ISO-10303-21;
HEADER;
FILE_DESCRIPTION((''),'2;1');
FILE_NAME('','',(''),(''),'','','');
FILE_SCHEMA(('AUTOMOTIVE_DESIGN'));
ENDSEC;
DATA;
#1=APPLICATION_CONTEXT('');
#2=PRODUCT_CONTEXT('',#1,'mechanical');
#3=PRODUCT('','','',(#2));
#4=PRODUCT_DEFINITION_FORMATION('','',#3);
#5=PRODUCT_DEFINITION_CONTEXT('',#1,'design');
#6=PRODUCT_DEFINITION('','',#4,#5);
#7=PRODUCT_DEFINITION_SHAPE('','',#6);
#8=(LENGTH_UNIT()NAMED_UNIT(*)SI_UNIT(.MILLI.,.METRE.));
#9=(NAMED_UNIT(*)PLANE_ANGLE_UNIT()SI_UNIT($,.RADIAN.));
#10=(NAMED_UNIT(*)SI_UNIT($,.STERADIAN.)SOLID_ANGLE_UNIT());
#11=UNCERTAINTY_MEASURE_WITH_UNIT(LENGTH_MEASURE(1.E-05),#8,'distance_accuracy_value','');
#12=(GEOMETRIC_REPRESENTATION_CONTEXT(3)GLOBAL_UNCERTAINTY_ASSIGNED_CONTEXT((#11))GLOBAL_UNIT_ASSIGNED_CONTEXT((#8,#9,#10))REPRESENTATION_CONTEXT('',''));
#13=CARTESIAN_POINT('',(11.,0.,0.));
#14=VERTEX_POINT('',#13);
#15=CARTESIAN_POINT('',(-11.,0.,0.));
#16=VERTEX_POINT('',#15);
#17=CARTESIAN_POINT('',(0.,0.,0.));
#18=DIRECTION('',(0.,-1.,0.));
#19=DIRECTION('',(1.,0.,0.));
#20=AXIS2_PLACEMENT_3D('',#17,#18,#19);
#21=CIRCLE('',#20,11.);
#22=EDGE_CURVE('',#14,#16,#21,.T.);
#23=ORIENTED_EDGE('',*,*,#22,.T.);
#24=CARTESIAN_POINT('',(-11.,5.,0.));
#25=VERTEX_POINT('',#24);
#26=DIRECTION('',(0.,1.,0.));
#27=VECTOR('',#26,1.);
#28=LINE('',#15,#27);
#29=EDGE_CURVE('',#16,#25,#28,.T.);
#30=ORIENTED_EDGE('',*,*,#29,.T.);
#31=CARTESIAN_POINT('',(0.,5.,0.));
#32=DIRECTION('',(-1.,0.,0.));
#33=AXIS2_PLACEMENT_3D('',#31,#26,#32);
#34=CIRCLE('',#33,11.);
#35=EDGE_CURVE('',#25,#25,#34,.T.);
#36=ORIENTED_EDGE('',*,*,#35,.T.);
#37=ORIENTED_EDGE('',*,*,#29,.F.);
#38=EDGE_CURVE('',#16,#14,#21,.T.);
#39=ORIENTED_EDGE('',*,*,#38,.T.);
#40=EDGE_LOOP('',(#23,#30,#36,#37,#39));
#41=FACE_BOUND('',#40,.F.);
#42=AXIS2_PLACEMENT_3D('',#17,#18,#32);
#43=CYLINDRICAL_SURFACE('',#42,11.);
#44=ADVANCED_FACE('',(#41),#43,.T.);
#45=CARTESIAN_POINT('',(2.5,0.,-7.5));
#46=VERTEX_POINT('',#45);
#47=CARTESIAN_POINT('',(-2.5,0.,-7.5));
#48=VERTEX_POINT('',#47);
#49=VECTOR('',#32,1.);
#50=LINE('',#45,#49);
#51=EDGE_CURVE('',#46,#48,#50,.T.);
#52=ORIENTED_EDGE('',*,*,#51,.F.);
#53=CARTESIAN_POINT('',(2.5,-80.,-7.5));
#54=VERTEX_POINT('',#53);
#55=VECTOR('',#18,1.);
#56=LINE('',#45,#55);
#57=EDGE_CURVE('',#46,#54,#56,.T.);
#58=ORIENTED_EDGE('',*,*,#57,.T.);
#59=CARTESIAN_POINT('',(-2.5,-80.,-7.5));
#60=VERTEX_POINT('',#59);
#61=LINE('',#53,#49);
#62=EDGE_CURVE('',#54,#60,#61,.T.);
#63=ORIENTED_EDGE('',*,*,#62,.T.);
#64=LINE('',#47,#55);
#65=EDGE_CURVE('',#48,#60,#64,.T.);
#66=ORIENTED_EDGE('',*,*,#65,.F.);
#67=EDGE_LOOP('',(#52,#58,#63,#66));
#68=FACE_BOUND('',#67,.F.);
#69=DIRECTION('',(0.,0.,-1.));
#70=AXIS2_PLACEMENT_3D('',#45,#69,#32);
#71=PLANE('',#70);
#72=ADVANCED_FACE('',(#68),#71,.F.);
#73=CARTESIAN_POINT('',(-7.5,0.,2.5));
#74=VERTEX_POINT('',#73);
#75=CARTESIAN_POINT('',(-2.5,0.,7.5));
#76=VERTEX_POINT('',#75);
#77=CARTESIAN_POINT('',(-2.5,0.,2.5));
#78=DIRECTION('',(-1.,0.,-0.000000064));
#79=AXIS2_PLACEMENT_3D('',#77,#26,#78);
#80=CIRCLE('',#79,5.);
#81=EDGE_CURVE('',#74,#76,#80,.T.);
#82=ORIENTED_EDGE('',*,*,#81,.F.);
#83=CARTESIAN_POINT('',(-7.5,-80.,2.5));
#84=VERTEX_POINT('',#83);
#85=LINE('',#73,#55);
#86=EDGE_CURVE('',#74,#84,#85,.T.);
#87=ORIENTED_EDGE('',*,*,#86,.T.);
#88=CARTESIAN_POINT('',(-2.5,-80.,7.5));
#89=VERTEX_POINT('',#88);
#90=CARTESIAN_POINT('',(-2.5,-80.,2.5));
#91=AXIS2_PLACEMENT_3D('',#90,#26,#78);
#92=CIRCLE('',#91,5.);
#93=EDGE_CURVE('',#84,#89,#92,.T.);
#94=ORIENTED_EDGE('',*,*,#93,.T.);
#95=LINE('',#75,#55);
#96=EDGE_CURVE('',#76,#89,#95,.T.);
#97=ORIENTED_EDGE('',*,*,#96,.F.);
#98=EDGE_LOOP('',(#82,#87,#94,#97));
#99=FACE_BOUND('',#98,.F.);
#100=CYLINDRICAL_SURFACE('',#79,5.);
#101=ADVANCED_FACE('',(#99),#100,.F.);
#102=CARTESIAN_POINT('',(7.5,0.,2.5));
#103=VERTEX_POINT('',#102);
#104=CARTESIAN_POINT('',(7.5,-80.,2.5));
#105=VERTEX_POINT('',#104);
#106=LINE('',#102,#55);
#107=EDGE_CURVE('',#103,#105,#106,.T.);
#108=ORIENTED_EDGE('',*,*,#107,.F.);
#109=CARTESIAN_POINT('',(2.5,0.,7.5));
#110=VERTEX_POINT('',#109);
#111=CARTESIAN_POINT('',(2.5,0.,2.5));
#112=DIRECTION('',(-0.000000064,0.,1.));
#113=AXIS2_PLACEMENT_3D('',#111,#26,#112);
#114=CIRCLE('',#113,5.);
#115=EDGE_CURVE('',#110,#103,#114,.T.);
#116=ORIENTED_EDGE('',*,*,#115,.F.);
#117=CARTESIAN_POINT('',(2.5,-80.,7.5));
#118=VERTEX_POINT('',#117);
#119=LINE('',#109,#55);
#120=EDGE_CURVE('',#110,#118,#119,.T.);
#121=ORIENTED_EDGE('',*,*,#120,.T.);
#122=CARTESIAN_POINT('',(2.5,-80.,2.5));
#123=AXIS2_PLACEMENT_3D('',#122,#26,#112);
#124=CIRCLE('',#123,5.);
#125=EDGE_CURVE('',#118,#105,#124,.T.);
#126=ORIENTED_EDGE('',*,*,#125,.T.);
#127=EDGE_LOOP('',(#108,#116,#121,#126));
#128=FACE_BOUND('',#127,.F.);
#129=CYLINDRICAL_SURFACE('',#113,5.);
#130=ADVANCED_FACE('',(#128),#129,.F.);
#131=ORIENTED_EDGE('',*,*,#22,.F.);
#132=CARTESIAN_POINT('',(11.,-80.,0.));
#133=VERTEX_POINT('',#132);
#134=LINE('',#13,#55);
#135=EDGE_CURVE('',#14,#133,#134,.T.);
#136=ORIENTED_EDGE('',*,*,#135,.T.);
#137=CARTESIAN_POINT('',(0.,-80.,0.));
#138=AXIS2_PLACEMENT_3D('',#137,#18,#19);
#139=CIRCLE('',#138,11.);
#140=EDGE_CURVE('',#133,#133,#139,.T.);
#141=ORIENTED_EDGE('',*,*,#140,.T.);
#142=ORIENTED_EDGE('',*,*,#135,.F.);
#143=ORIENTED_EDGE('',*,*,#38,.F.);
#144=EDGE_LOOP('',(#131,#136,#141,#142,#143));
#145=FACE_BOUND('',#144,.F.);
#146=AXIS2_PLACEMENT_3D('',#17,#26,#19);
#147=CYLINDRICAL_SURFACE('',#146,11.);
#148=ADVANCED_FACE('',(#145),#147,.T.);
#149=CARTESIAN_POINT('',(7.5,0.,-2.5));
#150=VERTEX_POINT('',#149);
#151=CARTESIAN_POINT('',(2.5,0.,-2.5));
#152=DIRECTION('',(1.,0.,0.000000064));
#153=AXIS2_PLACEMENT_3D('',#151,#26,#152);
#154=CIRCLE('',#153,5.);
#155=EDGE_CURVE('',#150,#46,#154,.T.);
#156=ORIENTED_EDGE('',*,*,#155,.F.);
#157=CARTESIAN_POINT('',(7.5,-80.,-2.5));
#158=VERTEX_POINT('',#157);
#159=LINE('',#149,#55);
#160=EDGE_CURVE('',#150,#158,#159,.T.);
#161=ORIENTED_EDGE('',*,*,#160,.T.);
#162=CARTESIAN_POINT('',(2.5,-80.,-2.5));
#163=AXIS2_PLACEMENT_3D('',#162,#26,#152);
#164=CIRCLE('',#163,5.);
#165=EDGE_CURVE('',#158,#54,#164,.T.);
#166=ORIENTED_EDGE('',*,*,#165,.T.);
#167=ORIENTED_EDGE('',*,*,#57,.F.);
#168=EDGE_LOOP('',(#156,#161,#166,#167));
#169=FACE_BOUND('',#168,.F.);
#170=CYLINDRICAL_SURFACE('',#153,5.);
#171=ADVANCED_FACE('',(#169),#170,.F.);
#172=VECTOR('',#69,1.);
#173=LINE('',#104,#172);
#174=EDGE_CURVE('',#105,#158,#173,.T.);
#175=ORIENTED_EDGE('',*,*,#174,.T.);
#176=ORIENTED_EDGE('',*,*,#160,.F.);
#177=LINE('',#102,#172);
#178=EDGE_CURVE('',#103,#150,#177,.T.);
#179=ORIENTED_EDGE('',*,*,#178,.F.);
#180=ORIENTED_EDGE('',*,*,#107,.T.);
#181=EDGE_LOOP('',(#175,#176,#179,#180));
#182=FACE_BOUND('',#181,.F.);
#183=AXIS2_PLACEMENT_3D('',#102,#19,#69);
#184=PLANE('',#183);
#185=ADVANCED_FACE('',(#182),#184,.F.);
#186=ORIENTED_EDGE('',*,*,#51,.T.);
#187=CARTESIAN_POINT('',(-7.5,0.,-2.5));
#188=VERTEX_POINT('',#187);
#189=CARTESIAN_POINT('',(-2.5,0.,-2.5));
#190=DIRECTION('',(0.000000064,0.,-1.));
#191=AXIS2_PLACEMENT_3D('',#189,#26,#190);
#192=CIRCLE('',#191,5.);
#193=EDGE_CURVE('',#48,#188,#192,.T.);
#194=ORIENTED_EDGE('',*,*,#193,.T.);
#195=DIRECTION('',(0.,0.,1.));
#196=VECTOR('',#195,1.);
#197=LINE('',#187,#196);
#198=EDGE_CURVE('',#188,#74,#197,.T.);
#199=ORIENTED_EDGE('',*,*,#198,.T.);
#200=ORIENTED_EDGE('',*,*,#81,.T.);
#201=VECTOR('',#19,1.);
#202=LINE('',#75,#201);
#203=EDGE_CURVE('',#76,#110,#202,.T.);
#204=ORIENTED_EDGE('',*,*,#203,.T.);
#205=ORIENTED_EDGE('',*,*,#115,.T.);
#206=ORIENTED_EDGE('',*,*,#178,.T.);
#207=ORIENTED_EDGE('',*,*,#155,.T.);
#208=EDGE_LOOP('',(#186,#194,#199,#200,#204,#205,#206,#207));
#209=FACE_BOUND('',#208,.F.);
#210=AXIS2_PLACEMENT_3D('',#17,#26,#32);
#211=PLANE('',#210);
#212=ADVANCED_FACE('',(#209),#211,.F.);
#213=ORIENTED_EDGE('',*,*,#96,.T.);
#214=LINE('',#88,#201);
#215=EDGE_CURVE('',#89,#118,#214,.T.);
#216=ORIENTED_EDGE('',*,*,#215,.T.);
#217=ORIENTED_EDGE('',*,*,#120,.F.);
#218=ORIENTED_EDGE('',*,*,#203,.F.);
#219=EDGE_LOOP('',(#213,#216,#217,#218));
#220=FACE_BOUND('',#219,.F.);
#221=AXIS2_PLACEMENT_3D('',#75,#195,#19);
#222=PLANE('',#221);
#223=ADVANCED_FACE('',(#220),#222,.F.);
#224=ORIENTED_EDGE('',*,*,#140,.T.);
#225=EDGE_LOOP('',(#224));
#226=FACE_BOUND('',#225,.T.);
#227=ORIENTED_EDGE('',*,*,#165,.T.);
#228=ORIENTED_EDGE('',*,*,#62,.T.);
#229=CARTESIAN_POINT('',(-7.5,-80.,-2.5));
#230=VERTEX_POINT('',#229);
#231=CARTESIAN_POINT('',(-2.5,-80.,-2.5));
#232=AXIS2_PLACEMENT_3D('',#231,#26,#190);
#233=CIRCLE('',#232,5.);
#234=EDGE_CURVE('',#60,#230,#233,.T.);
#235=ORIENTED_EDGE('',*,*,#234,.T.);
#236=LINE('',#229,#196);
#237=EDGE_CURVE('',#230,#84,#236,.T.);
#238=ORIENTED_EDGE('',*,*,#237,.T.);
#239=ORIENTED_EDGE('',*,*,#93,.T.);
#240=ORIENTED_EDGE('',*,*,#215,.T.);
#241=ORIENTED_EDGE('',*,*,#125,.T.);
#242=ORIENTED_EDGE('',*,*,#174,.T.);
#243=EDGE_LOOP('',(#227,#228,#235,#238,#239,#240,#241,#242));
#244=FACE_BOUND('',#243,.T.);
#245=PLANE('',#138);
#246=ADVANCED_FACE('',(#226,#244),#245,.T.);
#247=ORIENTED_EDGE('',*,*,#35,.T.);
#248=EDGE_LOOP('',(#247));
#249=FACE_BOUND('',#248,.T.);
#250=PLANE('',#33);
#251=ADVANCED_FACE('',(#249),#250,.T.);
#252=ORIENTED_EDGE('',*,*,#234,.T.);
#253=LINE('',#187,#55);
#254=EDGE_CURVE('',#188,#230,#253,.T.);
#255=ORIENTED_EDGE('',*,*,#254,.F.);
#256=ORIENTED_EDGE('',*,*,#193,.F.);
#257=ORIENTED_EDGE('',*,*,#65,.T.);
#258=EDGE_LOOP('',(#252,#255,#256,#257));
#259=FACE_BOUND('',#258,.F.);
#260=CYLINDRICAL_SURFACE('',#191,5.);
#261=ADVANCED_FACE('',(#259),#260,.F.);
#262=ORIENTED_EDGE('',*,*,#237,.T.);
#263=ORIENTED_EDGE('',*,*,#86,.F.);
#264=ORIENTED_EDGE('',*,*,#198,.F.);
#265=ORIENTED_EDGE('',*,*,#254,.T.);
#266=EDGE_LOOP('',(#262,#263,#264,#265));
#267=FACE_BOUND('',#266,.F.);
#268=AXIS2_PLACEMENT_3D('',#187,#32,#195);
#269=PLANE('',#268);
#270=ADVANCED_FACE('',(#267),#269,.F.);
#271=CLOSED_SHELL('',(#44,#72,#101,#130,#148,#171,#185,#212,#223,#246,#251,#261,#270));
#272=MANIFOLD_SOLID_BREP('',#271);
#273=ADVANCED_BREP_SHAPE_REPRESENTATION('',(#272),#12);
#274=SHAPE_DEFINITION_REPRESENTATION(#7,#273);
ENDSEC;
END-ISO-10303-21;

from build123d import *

# Parameters (mm, degrees)
F0_R     = 11
F1_DEPTH = 80
F2_R     = 11
F3_DEPTH = 5


with BuildPart() as f1:
    # F0 (on Front) → F1 (new body)
    with BuildSketch(Plane.XZ):
        Circle(F0_R)
        with BuildLine():
            Line((-2.5, 7.5), (2.5, 7.5))
            ThreePointArc((2.5, 7.5), (6.035534, 6.035534), (7.5, 2.5))
            Line((7.5, 2.5), (7.5, -2.5))
            ThreePointArc((7.5, -2.5), (6.035534, -6.035534), (2.5, -7.5))
            Line((2.5, -7.5), (-2.5, -7.5))
            ThreePointArc((-2.5, -7.5), (-6.035534, -6.035534), (-7.5, -2.5))
            Line((-7.5, -2.5), (-7.5, 2.5))
            ThreePointArc((-7.5, 2.5), (-6.035534, 6.035534), (-2.5, 7.5))
        make_face(mode=Mode.SUBTRACT)
    extrude(amount=F1_DEPTH)

    # F2 (on face) → F3 (join)
    with BuildSketch(Plane(origin=(0, 0, 0), x_dir=(-1, 0, 0), z_dir=(0, 1, 0))):
        Circle(F2_R)
    extrude(amount=F3_DEPTH)


solid = f1.part
